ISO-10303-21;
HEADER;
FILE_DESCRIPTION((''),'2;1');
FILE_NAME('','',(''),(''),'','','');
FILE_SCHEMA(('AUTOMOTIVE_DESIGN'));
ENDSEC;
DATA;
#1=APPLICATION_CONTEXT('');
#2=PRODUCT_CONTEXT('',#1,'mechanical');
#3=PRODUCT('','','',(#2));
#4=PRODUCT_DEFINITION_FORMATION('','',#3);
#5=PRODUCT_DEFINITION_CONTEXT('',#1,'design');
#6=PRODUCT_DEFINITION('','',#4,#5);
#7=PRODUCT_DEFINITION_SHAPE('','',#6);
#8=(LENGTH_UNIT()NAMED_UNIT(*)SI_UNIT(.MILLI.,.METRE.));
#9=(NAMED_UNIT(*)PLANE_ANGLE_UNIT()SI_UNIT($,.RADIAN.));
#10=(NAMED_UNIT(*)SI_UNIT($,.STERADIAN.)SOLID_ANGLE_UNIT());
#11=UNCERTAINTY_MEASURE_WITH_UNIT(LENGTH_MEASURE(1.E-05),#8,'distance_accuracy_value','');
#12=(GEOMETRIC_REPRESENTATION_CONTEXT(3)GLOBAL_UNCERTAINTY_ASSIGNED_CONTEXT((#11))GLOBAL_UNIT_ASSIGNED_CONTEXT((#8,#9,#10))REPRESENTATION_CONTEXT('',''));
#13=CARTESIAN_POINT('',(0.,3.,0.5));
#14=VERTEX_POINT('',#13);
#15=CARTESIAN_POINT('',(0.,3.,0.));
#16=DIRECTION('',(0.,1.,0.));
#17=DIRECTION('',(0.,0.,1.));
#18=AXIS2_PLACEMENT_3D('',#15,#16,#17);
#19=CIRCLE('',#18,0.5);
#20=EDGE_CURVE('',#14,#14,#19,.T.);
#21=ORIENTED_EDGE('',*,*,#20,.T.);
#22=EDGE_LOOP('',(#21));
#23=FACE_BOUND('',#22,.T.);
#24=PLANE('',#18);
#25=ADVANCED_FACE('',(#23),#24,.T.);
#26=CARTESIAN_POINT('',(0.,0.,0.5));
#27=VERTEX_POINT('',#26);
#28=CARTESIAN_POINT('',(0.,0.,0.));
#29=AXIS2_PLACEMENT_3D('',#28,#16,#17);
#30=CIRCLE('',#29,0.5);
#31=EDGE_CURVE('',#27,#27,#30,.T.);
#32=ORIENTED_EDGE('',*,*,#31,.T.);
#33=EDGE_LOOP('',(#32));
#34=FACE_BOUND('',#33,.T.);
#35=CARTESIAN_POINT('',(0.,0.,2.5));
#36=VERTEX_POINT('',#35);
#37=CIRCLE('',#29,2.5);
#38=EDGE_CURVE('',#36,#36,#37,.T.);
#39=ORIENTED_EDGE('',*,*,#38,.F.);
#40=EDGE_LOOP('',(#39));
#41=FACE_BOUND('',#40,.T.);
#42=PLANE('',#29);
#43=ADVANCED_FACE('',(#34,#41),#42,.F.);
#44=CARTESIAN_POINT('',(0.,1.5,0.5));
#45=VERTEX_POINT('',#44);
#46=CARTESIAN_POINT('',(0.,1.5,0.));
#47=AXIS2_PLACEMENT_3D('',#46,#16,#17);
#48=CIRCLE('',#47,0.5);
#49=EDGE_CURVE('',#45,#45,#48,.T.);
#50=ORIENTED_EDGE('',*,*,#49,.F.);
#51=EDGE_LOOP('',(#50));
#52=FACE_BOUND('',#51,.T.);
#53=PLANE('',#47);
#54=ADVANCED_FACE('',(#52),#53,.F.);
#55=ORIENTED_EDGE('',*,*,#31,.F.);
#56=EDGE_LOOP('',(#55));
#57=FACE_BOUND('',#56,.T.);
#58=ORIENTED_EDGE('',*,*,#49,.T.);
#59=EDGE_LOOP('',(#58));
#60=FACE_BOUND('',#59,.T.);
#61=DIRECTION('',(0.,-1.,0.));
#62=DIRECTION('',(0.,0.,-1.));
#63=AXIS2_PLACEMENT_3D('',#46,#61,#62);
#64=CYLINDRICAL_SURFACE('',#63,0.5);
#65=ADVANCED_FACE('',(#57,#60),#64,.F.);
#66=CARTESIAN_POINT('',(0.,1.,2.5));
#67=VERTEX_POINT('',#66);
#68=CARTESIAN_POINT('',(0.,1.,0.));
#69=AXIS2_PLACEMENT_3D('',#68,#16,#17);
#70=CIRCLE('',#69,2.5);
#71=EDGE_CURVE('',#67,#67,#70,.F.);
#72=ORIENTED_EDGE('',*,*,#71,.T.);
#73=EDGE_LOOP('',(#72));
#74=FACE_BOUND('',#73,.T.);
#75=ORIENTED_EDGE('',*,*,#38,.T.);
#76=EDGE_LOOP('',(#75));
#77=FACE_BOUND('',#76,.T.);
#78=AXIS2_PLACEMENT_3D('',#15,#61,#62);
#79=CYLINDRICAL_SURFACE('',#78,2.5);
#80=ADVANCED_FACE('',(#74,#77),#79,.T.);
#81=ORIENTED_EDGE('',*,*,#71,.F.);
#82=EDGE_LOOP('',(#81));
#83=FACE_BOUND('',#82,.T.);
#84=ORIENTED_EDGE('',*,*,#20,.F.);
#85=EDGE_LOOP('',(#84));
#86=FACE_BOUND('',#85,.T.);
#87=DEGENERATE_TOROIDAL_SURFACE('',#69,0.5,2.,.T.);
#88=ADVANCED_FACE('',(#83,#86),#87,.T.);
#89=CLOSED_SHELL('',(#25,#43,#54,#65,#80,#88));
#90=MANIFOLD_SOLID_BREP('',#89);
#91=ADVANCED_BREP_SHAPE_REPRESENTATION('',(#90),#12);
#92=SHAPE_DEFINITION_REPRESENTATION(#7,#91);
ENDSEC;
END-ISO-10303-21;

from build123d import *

# Parameters (mm, degrees)
SKETCH1_R           = 2.5
BOSS_EXTRUDE1_DEPTH = 3
SKETCH3_R           = 0.5
CUT_EXTRUDE1_DEPTH  = 1.5
FILLET1_R           = 2


with BuildPart() as part:
    # Sketch1 → Boss-Extrude1 (new body)
    with BuildSketch(Plane(origin=(0, 0, 0), x_dir=(1, 0, 0), z_dir=(0, 1, 0))):
        with Locations(Location((0, 0, 0), (0, 0, 270))):
            Circle(SKETCH1_R)
    extrude(amount=BOSS_EXTRUDE1_DEPTH)

    # Sketch3 → Cut-Extrude1 (cut)
    with BuildSketch(Plane(origin=(0, 0, 0), x_dir=(1, 0, 0), z_dir=(0, 1, 0))):
        with Locations(Location((0, 0, 0), (0, 0, 270))):
            Circle(SKETCH3_R)
    extrude(amount=CUT_EXTRUDE1_DEPTH, mode=Mode.SUBTRACT)

    # Fillet1
    fillet1_edges = [part.edges().sort_by_distance(p)[0] for p in [
        (0, 3, -2.5),
    ]]
    fillet(fillet1_edges, radius=FILLET1_R)


solid = part.part
